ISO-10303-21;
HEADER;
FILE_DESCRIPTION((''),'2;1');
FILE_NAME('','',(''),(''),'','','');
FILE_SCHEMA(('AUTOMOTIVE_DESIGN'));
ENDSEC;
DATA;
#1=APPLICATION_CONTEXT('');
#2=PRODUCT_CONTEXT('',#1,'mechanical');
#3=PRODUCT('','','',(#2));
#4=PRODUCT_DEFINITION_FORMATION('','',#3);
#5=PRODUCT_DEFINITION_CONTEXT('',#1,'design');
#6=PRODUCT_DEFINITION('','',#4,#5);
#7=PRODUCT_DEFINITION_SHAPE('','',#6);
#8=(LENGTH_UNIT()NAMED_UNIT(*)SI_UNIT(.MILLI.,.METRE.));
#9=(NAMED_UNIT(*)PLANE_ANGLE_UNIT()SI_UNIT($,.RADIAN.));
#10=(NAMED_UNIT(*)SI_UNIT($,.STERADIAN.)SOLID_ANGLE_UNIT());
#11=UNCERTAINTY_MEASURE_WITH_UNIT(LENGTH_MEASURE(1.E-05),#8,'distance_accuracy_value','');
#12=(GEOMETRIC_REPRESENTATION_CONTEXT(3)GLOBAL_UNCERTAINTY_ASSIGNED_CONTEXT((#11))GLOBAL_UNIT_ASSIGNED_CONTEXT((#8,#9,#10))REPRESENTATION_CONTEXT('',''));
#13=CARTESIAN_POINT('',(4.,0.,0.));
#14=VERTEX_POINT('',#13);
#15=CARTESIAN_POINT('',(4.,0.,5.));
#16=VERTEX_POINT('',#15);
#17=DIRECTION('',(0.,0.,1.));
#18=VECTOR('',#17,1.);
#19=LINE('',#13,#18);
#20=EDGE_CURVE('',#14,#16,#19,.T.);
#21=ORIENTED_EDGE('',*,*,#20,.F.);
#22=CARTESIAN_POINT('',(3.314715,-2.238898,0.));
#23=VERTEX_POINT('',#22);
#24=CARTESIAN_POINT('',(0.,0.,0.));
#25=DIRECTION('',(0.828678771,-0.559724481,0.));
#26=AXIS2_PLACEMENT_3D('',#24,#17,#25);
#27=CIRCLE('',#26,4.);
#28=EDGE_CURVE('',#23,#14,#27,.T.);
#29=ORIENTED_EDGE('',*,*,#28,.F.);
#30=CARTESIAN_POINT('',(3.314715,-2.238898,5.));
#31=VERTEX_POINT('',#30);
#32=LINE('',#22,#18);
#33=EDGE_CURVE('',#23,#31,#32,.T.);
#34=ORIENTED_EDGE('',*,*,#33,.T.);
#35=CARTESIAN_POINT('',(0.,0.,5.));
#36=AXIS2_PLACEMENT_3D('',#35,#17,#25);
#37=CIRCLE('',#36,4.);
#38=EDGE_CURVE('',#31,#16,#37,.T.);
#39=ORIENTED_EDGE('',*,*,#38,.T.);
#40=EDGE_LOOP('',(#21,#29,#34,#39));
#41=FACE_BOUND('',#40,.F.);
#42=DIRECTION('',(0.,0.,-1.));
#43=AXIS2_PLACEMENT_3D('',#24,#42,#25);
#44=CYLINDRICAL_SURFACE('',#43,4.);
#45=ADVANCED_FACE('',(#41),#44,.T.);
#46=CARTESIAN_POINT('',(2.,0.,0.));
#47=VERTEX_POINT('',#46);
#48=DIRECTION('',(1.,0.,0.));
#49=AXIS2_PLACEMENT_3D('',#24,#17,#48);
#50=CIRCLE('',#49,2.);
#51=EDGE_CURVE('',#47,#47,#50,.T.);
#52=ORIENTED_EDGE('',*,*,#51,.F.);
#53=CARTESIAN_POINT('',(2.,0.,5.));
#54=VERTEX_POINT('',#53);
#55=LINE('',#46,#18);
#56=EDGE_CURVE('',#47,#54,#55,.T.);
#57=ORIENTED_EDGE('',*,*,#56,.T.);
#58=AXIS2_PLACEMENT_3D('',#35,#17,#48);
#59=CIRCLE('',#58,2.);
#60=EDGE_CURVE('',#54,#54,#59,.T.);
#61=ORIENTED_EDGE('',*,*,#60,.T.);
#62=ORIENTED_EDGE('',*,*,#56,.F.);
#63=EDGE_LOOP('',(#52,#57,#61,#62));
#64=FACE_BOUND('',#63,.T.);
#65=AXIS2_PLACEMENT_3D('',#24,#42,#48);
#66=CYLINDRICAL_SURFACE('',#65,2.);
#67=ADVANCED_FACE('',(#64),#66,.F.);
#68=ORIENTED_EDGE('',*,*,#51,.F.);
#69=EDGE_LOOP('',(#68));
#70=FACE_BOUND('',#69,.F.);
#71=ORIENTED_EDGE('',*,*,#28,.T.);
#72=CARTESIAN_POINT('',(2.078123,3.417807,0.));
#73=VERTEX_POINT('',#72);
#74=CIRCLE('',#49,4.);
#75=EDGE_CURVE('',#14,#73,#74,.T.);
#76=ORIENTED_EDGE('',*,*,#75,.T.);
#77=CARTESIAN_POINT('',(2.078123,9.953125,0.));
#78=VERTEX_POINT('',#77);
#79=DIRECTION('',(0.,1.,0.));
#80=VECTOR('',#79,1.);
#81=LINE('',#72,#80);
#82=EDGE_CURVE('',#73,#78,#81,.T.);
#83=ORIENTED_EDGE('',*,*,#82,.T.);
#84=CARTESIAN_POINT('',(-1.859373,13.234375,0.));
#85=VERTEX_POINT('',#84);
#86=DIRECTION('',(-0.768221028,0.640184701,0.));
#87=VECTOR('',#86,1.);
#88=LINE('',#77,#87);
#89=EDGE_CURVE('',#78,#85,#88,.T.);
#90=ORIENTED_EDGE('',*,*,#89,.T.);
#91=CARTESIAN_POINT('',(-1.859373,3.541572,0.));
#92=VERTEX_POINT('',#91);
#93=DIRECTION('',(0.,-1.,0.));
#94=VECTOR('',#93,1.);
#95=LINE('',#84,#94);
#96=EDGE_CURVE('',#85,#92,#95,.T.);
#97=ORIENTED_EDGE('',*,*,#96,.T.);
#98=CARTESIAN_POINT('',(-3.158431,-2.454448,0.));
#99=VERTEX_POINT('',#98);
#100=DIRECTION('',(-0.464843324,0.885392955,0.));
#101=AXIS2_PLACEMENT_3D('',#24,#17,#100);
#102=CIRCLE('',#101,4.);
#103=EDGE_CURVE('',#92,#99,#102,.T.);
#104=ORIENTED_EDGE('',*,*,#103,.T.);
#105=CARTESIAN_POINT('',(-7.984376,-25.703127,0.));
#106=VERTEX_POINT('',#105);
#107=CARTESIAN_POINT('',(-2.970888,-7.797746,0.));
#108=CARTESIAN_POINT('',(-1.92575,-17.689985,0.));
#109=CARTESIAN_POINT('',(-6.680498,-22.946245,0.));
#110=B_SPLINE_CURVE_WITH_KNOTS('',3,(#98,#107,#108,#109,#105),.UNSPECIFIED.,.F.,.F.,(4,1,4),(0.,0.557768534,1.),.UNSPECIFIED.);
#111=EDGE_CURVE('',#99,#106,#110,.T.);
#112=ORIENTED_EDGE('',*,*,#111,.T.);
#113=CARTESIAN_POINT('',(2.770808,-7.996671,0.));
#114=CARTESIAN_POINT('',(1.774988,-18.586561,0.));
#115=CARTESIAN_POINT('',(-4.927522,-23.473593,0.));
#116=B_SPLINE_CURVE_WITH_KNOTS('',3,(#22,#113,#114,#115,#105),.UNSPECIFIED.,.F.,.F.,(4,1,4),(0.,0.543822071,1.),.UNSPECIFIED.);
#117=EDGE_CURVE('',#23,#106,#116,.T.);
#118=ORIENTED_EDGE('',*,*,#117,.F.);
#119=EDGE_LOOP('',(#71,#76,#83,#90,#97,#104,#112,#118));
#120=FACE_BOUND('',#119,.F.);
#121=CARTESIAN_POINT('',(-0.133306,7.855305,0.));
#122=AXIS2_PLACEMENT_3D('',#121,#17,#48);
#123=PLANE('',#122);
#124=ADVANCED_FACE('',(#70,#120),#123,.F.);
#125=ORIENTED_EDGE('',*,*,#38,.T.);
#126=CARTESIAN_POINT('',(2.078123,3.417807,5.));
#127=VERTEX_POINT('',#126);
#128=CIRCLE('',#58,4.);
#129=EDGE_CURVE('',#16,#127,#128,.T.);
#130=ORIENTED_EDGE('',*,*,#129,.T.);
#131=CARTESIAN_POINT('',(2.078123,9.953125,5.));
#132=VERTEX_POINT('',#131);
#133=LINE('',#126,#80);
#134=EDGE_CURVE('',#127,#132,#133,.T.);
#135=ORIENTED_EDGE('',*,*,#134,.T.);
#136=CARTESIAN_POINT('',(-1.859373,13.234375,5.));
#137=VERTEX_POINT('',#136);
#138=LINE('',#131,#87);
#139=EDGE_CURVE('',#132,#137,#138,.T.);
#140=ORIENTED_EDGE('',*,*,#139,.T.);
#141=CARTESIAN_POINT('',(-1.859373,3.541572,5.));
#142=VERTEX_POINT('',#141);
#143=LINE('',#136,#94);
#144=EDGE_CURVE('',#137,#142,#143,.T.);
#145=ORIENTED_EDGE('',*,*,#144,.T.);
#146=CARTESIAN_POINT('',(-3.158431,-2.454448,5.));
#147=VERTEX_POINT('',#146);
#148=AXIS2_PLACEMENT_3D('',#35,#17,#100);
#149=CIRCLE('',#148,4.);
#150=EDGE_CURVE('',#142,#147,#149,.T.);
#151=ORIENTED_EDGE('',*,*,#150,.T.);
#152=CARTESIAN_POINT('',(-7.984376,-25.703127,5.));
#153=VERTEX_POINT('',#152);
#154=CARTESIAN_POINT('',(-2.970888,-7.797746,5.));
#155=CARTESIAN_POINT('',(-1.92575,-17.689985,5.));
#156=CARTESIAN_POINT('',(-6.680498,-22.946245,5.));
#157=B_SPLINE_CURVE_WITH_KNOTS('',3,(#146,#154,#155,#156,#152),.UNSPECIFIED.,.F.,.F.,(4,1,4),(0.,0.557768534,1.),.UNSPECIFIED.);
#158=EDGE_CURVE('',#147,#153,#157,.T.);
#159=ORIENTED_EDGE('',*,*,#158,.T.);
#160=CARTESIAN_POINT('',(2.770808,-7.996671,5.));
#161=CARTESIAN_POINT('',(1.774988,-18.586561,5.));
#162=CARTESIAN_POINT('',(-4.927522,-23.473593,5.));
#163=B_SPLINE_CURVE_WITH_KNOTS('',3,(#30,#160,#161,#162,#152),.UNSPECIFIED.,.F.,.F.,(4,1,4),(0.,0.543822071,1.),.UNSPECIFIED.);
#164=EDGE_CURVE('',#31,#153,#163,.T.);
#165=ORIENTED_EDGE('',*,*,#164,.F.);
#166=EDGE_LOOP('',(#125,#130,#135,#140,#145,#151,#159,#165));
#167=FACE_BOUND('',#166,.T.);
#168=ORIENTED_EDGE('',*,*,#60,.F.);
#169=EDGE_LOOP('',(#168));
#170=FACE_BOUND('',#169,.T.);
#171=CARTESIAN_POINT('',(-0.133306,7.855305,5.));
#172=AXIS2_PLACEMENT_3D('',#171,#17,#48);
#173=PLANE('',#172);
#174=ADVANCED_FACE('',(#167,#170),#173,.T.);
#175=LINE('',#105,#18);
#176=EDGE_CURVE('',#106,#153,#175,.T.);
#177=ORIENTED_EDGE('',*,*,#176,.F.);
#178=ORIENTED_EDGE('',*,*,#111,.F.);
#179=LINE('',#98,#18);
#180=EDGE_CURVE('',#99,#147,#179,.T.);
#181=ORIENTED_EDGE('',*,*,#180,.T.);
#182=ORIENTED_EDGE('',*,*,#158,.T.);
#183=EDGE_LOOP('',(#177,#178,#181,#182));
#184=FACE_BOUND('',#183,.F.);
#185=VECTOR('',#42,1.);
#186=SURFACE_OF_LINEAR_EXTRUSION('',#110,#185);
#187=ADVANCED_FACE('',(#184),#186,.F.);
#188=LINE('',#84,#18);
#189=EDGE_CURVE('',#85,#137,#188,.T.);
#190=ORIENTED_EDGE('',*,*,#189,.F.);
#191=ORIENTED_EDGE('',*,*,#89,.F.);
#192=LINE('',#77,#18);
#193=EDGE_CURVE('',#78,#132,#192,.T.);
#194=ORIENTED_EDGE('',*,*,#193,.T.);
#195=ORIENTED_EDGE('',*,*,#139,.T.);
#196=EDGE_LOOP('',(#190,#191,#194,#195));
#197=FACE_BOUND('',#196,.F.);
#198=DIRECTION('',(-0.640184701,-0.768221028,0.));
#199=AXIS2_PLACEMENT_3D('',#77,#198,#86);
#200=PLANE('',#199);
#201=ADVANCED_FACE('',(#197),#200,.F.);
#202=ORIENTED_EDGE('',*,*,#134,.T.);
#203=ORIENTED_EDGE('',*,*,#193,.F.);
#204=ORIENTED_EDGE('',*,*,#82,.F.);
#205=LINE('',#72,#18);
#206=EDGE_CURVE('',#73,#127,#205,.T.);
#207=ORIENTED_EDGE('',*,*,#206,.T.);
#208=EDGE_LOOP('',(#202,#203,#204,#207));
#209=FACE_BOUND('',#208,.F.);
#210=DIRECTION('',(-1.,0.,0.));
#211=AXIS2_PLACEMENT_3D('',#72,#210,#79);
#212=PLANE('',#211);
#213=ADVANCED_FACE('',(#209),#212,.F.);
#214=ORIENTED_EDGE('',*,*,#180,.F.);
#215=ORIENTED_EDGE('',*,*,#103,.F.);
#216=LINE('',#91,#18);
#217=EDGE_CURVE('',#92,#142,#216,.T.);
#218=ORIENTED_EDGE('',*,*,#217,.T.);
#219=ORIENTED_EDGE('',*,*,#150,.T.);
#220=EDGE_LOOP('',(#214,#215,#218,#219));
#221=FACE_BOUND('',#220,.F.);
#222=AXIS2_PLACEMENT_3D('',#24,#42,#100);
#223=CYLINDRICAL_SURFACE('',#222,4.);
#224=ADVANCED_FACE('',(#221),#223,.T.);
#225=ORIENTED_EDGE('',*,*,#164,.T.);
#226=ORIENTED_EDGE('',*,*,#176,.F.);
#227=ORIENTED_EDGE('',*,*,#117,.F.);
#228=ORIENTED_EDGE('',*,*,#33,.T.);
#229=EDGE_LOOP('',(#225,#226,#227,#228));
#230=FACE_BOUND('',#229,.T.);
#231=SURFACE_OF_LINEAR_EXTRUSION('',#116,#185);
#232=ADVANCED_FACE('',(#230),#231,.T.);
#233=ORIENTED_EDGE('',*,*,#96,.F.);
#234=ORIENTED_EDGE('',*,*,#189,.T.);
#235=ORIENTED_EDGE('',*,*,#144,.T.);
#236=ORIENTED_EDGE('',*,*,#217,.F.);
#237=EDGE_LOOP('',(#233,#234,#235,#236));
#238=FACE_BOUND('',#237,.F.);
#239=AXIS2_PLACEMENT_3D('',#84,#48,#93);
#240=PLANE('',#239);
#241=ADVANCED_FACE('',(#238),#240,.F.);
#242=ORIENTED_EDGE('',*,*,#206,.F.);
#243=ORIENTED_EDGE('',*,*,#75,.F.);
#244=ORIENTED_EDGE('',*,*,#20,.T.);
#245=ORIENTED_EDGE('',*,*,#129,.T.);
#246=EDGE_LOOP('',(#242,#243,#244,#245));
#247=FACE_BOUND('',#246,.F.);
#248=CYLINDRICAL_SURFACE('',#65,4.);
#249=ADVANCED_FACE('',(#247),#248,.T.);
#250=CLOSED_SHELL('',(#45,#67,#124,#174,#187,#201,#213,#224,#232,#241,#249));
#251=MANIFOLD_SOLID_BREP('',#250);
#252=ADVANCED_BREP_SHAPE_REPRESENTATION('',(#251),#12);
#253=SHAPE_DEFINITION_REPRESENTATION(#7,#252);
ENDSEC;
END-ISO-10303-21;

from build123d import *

# Parameters (mm, degrees)
F0_R     = 2
F1_DEPTH = 5


with BuildPart() as f1:
    # F0 (on Top) → F1 (new body)
    with BuildSketch(Plane.XY):
        with BuildLine():
            ThreePointArc((-1.8593732966, 3.5415718183), (0.1256674698, 3.9980254735), (2.0781231578, 3.4178069198))
            Line((2.0781231578, 3.4178069198), (2.0781231578, 9.95312538))
            Line((2.0781231578, 9.95312538), (-1.8593732966, 13.2343750447))
            Line((-1.8593732966, 13.2343750447), (-1.8593732966, 3.5415718183))
        make_face()
        with BuildLine():
            ThreePointArc((3.3147150847, -2.2388979224), (3.8248438098, -1.1707133853), (4, 0))
            ThreePointArc((4, 0), (3.4865808919, 1.9605493323), (2.0781231578, 3.4178069198))
            ThreePointArc((2.0781231578, 3.4178069198), (0.1256674698, 3.9980254735), (-1.8593732966, 3.5415718183))
            ThreePointArc((-1.8593732966, 3.5415718183), (-3.9093033939, 0.8469633845), (-3.1584306628, -2.4544481556))
            ThreePointArc((-3.1584306628, -2.4544481556), (0.1331228038, -3.9977841762), (3.3147150847, -2.2388979224))
        make_face()
        Circle(F0_R, mode=Mode.SUBTRACT)
        with BuildLine():
            add(Edge.make_bspline(
                [(3.3147150847, -2.2388979224), (2.7708082025, -7.9966705645), (1.7749881346, -18.5865607153), (-4.9275215468, -23.4735932789), (-7.9843755811, -25.7031265646)],
                knots=[0, 0, 0, 0, 0.5438220711, 1, 1, 1, 1], degree=3))
            ThreePointArc((3.3147150847, -2.2388979224), (0.1331228038, -3.9977841762), (-3.1584306628, -2.4544481556))
            add(Edge.make_bspline(
                [(-3.1584306628, -2.4544481556), (-2.9708882556, -7.7977456433), (-1.9257495096, -17.6899848541), (-6.6804976422, -22.9462452047), (-7.9843755811, -25.7031265646)],
                knots=[0, 0, 0, 0, 0.5577685344, 1, 1, 1, 1], degree=3))
        make_face()
    extrude(amount=F1_DEPTH)


solid = f1.part
